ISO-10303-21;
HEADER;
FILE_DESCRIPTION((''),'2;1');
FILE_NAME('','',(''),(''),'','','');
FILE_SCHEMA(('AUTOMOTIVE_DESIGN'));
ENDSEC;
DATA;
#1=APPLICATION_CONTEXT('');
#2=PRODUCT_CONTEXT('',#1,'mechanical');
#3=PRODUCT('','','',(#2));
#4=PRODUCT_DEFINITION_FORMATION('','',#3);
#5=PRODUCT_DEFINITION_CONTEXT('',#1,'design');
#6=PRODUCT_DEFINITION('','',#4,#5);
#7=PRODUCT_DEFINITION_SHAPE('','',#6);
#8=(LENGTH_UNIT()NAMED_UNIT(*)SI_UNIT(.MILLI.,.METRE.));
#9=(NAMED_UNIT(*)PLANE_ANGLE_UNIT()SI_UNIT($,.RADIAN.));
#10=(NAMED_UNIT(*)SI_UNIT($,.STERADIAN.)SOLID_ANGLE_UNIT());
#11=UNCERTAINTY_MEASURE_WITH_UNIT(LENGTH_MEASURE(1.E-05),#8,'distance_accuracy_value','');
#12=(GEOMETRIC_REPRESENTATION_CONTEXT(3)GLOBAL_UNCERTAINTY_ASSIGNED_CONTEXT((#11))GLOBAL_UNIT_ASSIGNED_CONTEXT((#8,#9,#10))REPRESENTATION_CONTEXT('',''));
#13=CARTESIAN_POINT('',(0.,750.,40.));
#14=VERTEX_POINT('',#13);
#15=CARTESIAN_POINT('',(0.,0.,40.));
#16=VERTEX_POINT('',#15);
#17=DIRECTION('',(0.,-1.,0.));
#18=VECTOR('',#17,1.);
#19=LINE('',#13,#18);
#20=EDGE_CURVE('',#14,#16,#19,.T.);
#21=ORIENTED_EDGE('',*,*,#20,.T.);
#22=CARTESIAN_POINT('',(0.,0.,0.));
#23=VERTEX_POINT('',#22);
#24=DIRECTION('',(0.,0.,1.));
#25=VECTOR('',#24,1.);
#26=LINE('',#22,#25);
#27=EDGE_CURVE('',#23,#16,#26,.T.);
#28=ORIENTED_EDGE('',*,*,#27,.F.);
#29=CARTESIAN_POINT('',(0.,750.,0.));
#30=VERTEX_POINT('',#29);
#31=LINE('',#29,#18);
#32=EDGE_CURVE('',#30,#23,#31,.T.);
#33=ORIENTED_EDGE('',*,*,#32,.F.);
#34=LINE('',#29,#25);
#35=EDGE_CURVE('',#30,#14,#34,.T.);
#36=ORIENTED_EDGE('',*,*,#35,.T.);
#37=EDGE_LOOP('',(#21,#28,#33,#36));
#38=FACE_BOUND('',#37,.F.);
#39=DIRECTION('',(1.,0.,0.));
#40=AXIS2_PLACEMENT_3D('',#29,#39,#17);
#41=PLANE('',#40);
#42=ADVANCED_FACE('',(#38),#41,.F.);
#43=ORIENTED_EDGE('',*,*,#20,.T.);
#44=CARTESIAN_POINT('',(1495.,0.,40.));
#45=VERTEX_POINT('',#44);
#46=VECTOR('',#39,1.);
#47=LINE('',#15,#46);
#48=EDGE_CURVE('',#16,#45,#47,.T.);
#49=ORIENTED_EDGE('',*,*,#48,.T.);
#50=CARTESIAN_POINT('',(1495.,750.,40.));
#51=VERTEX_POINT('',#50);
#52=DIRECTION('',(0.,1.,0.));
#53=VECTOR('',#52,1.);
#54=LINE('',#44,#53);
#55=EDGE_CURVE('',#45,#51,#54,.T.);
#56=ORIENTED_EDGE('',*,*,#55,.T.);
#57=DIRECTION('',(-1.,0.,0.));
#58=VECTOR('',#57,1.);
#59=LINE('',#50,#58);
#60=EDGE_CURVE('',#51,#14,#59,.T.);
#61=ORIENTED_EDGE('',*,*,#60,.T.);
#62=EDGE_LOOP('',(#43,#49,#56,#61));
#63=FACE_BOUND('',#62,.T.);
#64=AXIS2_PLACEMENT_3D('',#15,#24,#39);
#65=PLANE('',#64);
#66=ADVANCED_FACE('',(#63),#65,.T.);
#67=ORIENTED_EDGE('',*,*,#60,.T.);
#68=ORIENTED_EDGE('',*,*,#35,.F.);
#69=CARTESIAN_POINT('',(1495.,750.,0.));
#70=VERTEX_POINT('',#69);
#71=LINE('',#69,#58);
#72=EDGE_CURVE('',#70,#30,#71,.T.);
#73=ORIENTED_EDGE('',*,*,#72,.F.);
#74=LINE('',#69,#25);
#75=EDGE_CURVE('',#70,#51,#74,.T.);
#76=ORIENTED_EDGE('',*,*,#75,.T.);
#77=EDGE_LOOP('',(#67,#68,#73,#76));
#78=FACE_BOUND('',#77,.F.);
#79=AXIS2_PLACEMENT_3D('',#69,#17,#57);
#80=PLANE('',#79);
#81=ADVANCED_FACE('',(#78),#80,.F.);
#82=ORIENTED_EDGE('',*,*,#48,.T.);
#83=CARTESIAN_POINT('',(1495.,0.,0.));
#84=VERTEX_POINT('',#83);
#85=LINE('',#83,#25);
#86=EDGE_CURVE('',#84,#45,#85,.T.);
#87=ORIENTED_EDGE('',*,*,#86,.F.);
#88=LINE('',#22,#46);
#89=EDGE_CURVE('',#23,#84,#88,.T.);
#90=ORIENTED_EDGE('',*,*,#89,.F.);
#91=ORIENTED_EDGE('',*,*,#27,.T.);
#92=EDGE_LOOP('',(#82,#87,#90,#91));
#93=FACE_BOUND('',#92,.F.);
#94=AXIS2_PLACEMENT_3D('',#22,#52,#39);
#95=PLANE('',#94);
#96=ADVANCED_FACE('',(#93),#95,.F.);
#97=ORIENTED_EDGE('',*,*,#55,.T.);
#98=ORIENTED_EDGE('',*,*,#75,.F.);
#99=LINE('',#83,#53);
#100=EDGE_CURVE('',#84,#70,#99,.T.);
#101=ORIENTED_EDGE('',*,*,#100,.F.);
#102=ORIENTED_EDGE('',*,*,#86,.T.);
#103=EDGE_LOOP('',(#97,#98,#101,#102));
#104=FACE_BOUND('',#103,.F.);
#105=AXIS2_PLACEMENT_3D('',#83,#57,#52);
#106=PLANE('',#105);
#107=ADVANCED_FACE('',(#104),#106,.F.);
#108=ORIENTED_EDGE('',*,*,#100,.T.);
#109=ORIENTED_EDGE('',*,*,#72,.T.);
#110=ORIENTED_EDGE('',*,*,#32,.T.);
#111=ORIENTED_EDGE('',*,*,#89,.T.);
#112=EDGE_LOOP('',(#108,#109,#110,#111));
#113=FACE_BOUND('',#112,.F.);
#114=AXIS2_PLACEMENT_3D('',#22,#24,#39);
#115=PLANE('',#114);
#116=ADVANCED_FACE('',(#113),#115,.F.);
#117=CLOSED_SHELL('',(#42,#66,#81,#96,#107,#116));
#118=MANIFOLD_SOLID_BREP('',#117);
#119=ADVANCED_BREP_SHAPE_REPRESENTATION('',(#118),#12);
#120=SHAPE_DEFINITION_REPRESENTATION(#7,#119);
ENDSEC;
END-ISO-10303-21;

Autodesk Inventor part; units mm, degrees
ref_plane "YZ Plane" through (0, 0, 0) normal (1, 0, 0) x (0, 1, 0)
ref_plane "XZ Plane" through (0, 0, 0) normal (0, 1, 0) x (-1, 0, 0)
ref_plane "XY Plane" through (0, 0, 0) normal (0, 0, 1) x (1, 0, 0)
sketch "Sketch1" plane through (0, 0, 0) normal (0, 0, 1) x (1, 0, 0)
  line L0 (0, 0) -> (1495, 0)
  line L1 (1495, 0) -> (1495, 750)
  line L2 (1495, 750) -> (0, 750)
  line L3 (0, 750) -> (0, 0)
  dimension "d0" = 1495
  dimension "d1" = 750
extrude "Extrusion1" add sketch "Sketch1" along normal blind 40
properties part number "toptable"
